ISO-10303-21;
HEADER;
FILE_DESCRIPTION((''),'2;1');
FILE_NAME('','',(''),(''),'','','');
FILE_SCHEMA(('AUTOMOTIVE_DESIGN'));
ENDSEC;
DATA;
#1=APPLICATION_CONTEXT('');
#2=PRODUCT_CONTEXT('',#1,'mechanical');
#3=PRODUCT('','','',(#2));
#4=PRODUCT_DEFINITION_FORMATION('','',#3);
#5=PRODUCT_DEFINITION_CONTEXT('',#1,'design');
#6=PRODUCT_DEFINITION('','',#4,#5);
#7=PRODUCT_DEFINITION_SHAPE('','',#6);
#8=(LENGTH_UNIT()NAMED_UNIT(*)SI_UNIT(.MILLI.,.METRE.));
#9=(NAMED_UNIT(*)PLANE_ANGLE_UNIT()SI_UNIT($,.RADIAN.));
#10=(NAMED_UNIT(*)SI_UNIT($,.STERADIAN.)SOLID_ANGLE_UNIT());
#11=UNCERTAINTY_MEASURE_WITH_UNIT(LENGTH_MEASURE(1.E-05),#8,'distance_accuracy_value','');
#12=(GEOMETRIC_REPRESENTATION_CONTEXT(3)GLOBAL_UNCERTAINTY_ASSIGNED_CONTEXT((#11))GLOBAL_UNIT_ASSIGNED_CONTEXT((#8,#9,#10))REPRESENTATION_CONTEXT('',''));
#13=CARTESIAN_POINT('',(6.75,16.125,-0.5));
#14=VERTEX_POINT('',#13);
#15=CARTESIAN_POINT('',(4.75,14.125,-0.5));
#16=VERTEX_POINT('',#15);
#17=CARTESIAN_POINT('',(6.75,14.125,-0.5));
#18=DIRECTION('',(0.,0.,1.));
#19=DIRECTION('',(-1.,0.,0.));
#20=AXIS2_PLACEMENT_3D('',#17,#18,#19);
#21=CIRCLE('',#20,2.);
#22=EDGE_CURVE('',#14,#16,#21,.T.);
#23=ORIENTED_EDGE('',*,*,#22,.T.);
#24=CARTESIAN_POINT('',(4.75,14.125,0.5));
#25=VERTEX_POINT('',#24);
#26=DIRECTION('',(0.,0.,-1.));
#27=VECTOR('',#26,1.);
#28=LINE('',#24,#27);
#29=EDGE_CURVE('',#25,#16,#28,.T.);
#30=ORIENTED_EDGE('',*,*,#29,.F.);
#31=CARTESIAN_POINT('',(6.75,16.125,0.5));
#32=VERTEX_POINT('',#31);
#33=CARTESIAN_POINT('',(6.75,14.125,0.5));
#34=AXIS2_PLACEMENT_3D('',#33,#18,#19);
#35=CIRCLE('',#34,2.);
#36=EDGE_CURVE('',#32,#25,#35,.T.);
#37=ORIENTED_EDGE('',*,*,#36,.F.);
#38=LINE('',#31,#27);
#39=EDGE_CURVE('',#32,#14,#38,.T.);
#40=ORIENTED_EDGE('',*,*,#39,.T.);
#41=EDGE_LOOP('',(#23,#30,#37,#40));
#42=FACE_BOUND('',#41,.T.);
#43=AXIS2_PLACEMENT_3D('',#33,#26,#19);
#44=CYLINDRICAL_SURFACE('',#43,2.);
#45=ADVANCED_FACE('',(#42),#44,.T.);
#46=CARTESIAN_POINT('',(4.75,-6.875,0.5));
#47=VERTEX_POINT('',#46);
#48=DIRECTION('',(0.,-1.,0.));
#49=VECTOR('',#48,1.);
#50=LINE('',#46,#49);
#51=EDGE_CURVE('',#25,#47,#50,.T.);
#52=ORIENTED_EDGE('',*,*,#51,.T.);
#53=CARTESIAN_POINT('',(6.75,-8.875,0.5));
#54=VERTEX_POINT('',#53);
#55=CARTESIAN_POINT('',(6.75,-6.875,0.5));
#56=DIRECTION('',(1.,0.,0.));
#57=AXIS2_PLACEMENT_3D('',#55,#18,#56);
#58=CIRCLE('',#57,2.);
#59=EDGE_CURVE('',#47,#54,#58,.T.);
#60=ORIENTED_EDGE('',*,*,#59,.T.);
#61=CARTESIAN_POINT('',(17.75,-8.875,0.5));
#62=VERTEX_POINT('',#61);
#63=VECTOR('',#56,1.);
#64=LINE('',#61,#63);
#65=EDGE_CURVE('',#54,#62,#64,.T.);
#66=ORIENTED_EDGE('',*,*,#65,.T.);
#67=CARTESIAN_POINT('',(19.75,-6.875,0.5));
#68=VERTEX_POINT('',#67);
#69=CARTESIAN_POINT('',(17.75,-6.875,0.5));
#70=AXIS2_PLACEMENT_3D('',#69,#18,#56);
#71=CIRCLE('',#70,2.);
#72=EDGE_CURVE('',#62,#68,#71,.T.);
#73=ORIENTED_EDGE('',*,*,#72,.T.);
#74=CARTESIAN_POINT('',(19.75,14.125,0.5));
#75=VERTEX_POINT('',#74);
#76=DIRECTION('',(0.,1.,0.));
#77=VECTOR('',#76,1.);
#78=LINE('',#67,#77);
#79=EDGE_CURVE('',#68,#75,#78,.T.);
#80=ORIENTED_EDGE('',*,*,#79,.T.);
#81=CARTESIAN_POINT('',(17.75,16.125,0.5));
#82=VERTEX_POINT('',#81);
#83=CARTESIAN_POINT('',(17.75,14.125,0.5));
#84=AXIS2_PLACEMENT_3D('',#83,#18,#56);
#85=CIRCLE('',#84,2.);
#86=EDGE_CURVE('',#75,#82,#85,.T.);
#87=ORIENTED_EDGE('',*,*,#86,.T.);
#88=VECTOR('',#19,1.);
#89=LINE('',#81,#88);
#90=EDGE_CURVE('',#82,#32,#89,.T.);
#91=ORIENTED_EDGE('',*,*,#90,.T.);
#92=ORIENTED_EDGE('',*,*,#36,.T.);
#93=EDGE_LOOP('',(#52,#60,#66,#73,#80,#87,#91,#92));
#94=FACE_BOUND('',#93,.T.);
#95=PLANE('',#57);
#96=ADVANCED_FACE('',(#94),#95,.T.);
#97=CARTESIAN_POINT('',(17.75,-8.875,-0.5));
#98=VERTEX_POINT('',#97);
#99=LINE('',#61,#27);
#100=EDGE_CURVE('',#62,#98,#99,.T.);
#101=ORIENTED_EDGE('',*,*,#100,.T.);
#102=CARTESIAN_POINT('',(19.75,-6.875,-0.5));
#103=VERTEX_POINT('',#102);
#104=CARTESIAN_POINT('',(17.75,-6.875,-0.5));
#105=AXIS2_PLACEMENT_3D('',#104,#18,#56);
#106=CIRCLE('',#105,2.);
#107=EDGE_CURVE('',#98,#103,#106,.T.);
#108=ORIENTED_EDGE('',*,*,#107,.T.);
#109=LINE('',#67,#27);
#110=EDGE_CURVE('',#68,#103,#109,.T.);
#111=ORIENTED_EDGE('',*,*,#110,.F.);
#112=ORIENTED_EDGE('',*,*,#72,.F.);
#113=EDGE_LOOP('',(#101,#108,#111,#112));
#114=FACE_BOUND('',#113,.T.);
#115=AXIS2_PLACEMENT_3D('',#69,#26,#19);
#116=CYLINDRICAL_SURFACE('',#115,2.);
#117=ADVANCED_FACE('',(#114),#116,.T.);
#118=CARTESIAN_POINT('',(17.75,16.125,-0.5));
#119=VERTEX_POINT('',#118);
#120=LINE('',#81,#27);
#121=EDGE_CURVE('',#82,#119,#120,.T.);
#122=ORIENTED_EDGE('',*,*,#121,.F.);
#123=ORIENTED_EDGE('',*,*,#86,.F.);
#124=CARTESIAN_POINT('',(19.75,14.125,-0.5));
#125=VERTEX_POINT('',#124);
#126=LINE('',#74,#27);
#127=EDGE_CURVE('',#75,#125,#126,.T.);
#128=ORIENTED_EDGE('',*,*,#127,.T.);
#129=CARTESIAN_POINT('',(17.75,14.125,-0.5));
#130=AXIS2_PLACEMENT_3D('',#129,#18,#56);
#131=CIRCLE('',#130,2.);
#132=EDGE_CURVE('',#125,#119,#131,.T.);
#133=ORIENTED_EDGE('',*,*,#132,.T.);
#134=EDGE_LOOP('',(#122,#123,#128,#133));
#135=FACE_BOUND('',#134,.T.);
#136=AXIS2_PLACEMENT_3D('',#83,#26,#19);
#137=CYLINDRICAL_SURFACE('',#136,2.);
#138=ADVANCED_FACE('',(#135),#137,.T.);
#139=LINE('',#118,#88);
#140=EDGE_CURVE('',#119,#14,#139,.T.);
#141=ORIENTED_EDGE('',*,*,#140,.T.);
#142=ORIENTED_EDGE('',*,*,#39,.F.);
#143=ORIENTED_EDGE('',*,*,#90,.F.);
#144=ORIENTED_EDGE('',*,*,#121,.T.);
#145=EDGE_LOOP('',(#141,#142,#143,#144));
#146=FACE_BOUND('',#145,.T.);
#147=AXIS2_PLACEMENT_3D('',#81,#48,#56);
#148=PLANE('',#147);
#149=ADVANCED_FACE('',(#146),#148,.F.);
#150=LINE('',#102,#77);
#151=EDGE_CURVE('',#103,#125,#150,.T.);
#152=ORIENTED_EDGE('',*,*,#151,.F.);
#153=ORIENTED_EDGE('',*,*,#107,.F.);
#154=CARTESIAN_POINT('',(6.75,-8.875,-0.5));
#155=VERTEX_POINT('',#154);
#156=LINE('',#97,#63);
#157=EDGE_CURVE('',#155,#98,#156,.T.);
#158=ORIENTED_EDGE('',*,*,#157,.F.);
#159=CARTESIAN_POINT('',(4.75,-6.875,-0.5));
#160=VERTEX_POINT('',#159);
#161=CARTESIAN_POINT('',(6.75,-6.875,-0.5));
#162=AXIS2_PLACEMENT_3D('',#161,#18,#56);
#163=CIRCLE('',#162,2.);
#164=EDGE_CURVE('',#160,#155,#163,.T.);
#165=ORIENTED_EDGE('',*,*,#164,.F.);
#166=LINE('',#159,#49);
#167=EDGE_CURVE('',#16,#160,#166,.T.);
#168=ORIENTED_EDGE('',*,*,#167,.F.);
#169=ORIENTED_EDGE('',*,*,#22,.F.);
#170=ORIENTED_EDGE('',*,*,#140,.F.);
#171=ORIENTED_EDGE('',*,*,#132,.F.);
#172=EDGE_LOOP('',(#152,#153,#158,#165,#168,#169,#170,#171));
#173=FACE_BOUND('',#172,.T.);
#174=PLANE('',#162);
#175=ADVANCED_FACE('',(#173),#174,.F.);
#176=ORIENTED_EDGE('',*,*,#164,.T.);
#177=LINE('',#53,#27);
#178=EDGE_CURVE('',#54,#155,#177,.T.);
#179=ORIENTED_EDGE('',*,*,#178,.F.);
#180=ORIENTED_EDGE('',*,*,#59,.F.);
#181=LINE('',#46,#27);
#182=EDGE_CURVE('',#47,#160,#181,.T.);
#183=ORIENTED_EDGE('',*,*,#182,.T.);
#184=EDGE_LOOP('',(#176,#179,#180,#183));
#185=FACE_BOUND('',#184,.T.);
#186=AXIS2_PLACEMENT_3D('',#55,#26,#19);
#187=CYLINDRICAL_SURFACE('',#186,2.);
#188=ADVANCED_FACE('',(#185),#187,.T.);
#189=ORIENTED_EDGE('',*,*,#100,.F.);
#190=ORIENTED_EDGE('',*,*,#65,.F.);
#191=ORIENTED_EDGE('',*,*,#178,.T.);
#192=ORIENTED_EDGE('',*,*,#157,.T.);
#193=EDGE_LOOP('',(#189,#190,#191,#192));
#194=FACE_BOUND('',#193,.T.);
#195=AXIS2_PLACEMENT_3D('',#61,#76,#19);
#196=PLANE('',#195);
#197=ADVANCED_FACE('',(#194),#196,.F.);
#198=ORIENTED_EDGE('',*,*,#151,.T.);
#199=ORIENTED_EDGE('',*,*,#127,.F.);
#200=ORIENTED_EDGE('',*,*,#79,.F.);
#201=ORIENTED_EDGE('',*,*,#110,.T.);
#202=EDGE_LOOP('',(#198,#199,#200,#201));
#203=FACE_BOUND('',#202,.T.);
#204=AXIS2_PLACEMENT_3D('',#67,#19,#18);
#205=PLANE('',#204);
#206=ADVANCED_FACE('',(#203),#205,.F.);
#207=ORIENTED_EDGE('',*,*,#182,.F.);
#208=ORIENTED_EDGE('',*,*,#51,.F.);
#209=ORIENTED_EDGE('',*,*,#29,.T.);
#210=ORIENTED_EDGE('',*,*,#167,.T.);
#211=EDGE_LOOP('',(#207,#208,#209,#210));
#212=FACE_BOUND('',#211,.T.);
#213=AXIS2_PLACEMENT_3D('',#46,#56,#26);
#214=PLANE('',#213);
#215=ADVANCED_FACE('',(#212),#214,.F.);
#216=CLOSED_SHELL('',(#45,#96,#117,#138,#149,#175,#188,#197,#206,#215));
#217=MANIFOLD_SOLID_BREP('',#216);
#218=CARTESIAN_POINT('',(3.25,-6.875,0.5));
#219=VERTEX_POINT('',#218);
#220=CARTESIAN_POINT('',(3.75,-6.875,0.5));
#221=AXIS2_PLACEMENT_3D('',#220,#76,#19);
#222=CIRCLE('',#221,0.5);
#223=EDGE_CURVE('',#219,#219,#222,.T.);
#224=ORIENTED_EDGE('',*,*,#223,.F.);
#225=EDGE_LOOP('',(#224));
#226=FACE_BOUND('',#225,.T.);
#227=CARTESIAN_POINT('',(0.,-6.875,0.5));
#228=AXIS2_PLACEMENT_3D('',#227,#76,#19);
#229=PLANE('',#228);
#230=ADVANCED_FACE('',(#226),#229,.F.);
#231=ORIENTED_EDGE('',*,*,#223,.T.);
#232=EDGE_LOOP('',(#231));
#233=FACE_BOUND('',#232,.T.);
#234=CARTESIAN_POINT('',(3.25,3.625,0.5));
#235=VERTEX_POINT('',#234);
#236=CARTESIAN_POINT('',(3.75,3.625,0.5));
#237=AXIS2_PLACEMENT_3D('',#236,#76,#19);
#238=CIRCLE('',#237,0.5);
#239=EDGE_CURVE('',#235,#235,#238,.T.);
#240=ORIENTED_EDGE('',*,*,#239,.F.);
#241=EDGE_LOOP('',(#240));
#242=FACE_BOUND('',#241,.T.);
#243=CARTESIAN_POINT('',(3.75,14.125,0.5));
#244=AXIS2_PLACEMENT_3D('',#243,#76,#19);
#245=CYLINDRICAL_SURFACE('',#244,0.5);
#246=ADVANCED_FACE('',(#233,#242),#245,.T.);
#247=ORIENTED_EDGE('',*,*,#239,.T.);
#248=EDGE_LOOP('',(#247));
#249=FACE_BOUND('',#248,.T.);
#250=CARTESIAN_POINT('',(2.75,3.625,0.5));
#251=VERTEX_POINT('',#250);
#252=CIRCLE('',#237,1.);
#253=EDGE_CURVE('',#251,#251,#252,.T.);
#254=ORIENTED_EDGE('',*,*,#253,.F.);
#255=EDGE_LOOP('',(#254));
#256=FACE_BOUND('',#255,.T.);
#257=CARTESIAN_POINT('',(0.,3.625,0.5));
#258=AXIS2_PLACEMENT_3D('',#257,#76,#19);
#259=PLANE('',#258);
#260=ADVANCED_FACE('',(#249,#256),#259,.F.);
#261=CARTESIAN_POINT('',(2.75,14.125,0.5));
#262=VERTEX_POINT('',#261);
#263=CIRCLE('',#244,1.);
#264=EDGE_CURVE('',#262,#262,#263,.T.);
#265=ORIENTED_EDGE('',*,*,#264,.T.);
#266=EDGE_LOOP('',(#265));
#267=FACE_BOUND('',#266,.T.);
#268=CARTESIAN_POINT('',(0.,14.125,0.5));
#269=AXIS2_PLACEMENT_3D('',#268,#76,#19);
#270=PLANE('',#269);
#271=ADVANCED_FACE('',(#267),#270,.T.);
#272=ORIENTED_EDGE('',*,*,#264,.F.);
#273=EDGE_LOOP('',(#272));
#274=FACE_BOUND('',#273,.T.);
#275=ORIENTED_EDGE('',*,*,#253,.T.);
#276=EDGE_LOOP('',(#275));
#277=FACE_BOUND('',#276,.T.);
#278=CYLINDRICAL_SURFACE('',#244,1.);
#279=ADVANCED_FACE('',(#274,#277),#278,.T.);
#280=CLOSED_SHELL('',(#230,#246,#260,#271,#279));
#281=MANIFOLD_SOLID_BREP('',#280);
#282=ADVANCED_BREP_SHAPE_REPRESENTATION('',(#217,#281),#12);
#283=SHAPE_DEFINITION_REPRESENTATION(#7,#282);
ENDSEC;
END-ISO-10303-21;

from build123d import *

# Parameters (mm, degrees)
EXTRUDE_1_DEPTH = 0.5
SKETCH_2_W      = 0.5
SKETCH_2_H      = 10.5


with BuildPart() as part:
    # 草图1 → 凸台-拉伸1 (new, symmetric)
    with BuildSketch(Plane.XY):
        with BuildLine():
            Line((17.75, -8.875), (6.75, -8.875))
            ThreePointArc((6.75, -8.875), (5.335786438, -8.289213562), (4.75, -6.875))
            Line((4.75, -6.875), (4.75, 14.125))
            ThreePointArc((4.75, 14.125), (5.335786438, 15.539213562), (6.75, 16.125))
            Line((6.75, 16.125), (17.75, 16.125))
            ThreePointArc((17.75, 16.125), (19.164213562, 15.539213562), (19.75, 14.125))
            Line((19.75, 14.125), (19.75, -6.875))
            ThreePointArc((19.75, -6.875), (19.164213562, -8.289213562), (17.75, -8.875))
        make_face()
    extrude(amount=EXTRUDE_1_DEPTH, both=True)


with BuildPart() as body_2:
    # 草图2 → 旋转1 (revolve)
    with BuildSketch(Plane.XY.offset(0.5), mode=Mode.PRIVATE) as revolve_1_sk:
        Polygon((4.75, 14.125), (3.75, 14.125), (3.75, 3.625), (4.25, 3.625), (4.75, 3.625), align=None)
        with Locations((4, -1.625)):
            Rectangle(SKETCH_2_W, SKETCH_2_H)
    revolve(revolve_1_sk.sketch.rotate(Axis((3.75, 14.125, 0.5), (0, -1, 0)), 180), axis=Axis((3.75, 14.125, 0.5), (0, -1, 0)))


solid = Compound([part.part, body_2.part])
